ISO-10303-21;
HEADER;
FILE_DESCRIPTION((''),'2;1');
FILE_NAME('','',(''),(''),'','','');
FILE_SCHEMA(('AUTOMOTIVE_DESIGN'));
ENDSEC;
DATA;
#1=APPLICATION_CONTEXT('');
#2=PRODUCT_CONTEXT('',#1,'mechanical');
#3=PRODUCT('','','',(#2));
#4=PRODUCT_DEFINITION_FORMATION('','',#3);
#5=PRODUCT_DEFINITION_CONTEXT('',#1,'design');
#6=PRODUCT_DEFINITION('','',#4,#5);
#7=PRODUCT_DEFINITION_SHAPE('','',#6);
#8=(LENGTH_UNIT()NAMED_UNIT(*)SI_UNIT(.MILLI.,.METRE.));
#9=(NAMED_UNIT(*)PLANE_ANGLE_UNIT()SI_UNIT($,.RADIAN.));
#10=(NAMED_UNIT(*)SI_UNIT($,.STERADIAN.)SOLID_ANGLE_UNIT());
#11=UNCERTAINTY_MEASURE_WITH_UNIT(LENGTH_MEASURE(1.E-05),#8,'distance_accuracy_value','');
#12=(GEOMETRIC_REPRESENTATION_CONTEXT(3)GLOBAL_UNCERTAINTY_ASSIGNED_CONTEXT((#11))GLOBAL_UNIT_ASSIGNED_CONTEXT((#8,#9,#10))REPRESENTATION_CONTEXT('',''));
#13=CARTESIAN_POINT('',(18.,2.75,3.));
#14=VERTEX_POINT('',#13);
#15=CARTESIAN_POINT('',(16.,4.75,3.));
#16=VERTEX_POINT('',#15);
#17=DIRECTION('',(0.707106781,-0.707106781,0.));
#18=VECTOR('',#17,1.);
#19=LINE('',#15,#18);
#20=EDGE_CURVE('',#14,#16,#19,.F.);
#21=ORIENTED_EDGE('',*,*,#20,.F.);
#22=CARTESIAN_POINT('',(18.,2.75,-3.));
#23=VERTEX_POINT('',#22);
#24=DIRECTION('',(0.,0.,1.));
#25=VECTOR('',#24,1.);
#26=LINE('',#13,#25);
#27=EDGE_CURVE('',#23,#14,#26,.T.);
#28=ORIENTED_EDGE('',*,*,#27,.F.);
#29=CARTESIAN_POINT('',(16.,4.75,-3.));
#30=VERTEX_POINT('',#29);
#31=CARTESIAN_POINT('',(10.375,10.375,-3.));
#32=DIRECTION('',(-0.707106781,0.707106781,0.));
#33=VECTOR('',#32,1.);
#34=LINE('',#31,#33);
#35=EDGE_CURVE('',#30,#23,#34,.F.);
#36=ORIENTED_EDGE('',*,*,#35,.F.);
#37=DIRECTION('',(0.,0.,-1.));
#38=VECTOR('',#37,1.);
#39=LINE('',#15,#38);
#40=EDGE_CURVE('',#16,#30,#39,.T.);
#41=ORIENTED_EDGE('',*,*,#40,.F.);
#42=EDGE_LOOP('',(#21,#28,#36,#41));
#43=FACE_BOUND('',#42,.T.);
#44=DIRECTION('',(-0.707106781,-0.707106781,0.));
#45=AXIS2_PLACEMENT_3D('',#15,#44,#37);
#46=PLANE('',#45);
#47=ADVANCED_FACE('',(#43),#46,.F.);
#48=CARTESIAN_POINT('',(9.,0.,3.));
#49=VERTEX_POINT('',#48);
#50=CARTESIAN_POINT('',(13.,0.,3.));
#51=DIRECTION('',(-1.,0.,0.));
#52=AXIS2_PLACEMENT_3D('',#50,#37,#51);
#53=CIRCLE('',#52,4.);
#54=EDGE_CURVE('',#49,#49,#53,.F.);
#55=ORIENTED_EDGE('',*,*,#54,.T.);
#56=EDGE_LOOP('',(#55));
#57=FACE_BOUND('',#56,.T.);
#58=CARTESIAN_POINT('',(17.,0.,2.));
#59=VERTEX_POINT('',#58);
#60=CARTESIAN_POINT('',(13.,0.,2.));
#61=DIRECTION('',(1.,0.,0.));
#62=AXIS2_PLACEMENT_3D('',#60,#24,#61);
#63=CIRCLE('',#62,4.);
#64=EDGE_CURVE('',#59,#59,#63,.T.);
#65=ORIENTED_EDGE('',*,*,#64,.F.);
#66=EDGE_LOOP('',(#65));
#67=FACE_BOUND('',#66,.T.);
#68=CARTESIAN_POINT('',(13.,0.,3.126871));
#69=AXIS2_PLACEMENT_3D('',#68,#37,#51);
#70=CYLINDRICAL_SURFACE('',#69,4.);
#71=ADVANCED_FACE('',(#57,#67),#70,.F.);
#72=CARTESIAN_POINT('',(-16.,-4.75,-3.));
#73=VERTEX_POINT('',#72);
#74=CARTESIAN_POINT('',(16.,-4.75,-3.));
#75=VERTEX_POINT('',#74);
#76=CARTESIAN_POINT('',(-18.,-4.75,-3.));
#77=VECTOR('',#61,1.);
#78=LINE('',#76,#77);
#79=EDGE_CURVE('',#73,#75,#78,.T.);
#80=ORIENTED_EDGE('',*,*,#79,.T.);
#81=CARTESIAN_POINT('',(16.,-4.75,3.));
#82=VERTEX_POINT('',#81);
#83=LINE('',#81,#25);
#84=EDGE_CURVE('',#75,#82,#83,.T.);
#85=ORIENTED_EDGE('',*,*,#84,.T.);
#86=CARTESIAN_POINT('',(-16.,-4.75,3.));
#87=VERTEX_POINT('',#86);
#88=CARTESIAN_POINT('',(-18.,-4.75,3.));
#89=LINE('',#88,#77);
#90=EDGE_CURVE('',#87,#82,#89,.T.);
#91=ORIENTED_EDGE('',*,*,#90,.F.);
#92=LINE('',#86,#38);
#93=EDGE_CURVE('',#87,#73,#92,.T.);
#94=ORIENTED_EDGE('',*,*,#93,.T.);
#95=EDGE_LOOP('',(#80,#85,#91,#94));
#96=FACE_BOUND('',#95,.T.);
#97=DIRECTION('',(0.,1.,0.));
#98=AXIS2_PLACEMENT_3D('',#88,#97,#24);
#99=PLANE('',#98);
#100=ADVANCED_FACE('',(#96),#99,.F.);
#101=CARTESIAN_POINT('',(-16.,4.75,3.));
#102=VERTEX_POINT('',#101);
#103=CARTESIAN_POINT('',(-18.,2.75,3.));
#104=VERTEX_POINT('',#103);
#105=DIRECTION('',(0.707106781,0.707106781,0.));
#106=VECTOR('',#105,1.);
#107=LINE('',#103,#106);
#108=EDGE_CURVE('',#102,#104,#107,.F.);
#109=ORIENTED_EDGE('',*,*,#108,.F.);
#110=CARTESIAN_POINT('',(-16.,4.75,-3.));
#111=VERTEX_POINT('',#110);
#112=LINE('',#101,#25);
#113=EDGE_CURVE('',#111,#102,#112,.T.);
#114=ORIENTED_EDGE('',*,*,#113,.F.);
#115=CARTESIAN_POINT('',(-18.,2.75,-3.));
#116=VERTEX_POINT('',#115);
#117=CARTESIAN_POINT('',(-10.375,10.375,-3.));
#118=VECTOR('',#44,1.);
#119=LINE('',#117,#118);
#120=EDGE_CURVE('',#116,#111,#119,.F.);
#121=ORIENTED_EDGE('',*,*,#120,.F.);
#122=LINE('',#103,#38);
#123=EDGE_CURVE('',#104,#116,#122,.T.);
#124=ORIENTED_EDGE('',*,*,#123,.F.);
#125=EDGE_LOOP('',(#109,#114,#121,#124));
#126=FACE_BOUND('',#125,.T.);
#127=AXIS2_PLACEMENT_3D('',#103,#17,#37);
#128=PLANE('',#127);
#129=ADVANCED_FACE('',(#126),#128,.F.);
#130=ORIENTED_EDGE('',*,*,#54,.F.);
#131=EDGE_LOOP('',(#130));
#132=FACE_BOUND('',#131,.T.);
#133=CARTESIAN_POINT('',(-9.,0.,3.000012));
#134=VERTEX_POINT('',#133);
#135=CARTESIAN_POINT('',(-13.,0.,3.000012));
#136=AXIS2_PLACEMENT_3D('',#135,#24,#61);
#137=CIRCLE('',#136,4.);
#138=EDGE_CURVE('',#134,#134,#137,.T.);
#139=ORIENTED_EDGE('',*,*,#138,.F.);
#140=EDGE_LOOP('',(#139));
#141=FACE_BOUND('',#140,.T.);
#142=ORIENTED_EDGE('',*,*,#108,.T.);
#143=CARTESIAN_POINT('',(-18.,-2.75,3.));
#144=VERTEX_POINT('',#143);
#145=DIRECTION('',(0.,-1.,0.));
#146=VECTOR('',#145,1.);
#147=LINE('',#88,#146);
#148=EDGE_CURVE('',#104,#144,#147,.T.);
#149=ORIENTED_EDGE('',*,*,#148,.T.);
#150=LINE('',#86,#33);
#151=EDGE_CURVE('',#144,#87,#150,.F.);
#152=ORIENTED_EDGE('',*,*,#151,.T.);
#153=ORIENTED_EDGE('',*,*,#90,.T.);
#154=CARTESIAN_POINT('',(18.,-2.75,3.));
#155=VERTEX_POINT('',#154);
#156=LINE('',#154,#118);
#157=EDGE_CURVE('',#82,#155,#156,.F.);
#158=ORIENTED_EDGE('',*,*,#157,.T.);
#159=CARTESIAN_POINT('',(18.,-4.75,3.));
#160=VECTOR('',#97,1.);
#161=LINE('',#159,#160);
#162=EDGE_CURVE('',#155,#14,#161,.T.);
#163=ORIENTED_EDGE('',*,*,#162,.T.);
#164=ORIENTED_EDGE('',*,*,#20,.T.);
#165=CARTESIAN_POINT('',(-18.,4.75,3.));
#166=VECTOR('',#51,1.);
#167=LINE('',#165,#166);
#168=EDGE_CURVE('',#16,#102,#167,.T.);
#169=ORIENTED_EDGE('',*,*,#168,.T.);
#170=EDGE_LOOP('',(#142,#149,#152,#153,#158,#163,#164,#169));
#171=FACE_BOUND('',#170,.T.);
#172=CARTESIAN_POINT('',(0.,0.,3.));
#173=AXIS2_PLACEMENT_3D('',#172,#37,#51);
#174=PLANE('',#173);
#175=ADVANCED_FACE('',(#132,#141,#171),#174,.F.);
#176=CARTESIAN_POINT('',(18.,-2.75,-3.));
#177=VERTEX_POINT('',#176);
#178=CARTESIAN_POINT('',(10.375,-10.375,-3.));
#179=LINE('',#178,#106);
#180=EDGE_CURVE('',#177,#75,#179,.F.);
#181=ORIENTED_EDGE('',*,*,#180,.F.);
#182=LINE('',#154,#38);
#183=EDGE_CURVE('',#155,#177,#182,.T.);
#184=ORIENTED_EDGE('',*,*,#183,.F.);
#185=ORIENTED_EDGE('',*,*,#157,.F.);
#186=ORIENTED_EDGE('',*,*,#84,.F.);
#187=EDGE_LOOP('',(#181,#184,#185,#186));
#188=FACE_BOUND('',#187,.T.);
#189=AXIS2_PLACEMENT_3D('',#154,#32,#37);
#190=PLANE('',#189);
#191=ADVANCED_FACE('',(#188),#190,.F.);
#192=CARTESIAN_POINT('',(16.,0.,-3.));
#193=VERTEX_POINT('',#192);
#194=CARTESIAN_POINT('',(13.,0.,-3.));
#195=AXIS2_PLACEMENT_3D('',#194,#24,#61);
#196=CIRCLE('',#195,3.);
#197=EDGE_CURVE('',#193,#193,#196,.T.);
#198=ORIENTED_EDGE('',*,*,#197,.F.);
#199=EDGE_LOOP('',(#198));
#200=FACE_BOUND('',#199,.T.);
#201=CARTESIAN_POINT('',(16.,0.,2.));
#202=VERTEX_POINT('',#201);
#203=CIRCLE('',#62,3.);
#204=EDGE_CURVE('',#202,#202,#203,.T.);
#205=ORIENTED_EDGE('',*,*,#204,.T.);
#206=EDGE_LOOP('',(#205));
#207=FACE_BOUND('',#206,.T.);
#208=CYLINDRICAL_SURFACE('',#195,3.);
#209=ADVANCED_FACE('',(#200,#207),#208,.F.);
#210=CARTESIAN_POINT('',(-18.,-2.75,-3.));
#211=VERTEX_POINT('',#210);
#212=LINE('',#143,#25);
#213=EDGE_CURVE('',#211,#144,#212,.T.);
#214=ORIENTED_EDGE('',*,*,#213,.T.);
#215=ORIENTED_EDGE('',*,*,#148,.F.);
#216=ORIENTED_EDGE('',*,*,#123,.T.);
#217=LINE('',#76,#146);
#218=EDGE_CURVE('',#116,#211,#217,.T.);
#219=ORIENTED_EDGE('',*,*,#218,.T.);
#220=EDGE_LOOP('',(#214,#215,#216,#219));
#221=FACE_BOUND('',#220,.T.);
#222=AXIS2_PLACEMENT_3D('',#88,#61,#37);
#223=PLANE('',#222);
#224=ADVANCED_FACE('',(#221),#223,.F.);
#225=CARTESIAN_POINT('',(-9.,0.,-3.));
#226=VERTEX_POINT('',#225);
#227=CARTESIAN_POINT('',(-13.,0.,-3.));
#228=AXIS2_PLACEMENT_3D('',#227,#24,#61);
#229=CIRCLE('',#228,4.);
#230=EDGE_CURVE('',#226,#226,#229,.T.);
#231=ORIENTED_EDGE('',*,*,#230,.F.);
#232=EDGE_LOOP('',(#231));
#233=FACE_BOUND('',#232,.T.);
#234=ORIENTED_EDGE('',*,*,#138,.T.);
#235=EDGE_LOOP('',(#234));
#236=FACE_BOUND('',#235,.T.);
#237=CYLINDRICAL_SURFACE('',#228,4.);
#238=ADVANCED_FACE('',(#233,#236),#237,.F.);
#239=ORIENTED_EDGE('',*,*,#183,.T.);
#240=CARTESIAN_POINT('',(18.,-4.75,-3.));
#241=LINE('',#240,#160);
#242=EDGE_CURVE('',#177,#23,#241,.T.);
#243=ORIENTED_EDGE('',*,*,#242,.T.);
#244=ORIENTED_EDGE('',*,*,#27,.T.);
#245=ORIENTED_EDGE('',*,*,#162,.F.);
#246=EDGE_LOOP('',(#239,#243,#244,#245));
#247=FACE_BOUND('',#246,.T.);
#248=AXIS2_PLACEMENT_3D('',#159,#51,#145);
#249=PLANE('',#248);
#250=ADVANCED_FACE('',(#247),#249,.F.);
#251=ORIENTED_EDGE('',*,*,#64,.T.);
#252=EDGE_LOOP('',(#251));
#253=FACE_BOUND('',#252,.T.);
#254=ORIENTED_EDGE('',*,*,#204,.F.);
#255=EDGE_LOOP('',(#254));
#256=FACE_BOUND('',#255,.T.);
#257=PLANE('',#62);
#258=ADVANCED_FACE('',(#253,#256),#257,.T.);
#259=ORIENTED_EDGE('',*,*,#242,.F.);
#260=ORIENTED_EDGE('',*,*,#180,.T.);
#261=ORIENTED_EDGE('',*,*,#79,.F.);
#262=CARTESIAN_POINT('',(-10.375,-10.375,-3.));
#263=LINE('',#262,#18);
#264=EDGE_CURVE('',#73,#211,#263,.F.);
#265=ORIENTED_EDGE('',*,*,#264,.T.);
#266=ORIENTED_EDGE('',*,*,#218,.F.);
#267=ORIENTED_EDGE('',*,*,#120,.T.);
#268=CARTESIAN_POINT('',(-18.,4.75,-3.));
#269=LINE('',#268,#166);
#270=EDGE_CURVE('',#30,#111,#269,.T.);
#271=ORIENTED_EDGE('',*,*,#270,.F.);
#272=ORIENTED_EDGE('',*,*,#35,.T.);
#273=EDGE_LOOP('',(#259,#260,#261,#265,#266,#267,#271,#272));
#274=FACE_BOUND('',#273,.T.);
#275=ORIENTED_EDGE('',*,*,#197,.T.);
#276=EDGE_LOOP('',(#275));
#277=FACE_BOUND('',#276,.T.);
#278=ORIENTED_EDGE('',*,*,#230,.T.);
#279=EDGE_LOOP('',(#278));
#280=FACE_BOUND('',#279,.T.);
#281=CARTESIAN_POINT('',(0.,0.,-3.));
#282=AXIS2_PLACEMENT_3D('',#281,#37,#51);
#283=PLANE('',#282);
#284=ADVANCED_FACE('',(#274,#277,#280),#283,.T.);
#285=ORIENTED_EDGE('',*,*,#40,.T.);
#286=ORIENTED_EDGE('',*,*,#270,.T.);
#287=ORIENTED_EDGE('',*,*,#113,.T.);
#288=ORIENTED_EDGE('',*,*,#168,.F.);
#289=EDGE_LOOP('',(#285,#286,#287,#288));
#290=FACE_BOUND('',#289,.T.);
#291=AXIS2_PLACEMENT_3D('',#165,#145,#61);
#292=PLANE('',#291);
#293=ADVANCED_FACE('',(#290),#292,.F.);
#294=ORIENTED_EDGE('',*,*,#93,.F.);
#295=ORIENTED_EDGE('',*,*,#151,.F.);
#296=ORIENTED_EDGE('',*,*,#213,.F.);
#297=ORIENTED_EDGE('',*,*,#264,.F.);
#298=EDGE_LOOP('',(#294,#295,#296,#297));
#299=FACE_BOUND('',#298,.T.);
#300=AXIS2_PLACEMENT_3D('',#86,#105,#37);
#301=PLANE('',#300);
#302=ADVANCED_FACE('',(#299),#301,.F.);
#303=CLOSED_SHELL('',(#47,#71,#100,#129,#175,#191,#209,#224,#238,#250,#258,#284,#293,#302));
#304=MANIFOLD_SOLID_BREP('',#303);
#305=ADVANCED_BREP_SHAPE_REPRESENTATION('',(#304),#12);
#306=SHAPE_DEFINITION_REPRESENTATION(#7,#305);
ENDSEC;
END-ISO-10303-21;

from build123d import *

# Parameters (mm, degrees)
SKETCH_1_W               = 36
SKETCH_1_H               = 9.5
EXTRUDE_1_DEPTH          = 3
CUT_EXTRUDE_1_DEPTH      = 20.559204994
CUT_EXTRUDE_1_DEPTH_BACK = 20.559204994
SKETCH_2_R               = 4
CUT_EXTRUDE_2_DEPTH      = 20.559204994
CUT_EXTRUDE_2_DEPTH_BACK = 1
SKETCH_3_R               = 4
SKETCH_4_R               = 3
CUT_EXTRUDE_3_DEPTH      = 20.275956526
CHAMFER_1_SIZE           = 2


with BuildPart() as part:
    # 草图1 → 凸台-拉伸1 (new, symmetric)
    with BuildSketch(Plane.XY):
        Rectangle(SKETCH_1_W, SKETCH_1_H)
    extrude(amount=EXTRUDE_1_DEPTH, both=True)

    # 草图2 → 切除-拉伸1 (cut, two sides: drawn at the far end of the back side and taken through both)
    with BuildSketch(Plane.XY.offset(3).offset(-CUT_EXTRUDE_1_DEPTH_BACK)):
        with Locations((-13, 0)):
            Circle(SKETCH_2_R)
    extrude(amount=CUT_EXTRUDE_1_DEPTH + CUT_EXTRUDE_1_DEPTH_BACK, mode=Mode.SUBTRACT)

    # 草图3 → 切除-拉伸2 (cut, two sides: drawn at the far end of the back side and taken through both)
    with BuildSketch(Plane.XY.offset(3).offset(-CUT_EXTRUDE_2_DEPTH_BACK)):
        with Locations(Location((13, 0, 0), (0, 0, 180))):
            Circle(SKETCH_3_R)
    extrude(amount=CUT_EXTRUDE_2_DEPTH + CUT_EXTRUDE_2_DEPTH_BACK, mode=Mode.SUBTRACT)

    # 草图4 → 切除-拉伸3 (cut, through all)
    with BuildSketch(Plane.XY.offset(2)):
        with Locations((13, 0)):
            Circle(SKETCH_4_R)
    extrude(amount=-CUT_EXTRUDE_3_DEPTH, mode=Mode.SUBTRACT)

    # 倒角1
    chamfer_1_edges = [part.edges().sort_by_distance(p)[0] for p in [
        (18, -4.75, 0),
        (-18, -4.75, 0),
        (-18, 4.75, 0),
        (18, 4.75, 0),
    ]]
    chamfer(chamfer_1_edges, length=CHAMFER_1_SIZE)


solid = part.part
